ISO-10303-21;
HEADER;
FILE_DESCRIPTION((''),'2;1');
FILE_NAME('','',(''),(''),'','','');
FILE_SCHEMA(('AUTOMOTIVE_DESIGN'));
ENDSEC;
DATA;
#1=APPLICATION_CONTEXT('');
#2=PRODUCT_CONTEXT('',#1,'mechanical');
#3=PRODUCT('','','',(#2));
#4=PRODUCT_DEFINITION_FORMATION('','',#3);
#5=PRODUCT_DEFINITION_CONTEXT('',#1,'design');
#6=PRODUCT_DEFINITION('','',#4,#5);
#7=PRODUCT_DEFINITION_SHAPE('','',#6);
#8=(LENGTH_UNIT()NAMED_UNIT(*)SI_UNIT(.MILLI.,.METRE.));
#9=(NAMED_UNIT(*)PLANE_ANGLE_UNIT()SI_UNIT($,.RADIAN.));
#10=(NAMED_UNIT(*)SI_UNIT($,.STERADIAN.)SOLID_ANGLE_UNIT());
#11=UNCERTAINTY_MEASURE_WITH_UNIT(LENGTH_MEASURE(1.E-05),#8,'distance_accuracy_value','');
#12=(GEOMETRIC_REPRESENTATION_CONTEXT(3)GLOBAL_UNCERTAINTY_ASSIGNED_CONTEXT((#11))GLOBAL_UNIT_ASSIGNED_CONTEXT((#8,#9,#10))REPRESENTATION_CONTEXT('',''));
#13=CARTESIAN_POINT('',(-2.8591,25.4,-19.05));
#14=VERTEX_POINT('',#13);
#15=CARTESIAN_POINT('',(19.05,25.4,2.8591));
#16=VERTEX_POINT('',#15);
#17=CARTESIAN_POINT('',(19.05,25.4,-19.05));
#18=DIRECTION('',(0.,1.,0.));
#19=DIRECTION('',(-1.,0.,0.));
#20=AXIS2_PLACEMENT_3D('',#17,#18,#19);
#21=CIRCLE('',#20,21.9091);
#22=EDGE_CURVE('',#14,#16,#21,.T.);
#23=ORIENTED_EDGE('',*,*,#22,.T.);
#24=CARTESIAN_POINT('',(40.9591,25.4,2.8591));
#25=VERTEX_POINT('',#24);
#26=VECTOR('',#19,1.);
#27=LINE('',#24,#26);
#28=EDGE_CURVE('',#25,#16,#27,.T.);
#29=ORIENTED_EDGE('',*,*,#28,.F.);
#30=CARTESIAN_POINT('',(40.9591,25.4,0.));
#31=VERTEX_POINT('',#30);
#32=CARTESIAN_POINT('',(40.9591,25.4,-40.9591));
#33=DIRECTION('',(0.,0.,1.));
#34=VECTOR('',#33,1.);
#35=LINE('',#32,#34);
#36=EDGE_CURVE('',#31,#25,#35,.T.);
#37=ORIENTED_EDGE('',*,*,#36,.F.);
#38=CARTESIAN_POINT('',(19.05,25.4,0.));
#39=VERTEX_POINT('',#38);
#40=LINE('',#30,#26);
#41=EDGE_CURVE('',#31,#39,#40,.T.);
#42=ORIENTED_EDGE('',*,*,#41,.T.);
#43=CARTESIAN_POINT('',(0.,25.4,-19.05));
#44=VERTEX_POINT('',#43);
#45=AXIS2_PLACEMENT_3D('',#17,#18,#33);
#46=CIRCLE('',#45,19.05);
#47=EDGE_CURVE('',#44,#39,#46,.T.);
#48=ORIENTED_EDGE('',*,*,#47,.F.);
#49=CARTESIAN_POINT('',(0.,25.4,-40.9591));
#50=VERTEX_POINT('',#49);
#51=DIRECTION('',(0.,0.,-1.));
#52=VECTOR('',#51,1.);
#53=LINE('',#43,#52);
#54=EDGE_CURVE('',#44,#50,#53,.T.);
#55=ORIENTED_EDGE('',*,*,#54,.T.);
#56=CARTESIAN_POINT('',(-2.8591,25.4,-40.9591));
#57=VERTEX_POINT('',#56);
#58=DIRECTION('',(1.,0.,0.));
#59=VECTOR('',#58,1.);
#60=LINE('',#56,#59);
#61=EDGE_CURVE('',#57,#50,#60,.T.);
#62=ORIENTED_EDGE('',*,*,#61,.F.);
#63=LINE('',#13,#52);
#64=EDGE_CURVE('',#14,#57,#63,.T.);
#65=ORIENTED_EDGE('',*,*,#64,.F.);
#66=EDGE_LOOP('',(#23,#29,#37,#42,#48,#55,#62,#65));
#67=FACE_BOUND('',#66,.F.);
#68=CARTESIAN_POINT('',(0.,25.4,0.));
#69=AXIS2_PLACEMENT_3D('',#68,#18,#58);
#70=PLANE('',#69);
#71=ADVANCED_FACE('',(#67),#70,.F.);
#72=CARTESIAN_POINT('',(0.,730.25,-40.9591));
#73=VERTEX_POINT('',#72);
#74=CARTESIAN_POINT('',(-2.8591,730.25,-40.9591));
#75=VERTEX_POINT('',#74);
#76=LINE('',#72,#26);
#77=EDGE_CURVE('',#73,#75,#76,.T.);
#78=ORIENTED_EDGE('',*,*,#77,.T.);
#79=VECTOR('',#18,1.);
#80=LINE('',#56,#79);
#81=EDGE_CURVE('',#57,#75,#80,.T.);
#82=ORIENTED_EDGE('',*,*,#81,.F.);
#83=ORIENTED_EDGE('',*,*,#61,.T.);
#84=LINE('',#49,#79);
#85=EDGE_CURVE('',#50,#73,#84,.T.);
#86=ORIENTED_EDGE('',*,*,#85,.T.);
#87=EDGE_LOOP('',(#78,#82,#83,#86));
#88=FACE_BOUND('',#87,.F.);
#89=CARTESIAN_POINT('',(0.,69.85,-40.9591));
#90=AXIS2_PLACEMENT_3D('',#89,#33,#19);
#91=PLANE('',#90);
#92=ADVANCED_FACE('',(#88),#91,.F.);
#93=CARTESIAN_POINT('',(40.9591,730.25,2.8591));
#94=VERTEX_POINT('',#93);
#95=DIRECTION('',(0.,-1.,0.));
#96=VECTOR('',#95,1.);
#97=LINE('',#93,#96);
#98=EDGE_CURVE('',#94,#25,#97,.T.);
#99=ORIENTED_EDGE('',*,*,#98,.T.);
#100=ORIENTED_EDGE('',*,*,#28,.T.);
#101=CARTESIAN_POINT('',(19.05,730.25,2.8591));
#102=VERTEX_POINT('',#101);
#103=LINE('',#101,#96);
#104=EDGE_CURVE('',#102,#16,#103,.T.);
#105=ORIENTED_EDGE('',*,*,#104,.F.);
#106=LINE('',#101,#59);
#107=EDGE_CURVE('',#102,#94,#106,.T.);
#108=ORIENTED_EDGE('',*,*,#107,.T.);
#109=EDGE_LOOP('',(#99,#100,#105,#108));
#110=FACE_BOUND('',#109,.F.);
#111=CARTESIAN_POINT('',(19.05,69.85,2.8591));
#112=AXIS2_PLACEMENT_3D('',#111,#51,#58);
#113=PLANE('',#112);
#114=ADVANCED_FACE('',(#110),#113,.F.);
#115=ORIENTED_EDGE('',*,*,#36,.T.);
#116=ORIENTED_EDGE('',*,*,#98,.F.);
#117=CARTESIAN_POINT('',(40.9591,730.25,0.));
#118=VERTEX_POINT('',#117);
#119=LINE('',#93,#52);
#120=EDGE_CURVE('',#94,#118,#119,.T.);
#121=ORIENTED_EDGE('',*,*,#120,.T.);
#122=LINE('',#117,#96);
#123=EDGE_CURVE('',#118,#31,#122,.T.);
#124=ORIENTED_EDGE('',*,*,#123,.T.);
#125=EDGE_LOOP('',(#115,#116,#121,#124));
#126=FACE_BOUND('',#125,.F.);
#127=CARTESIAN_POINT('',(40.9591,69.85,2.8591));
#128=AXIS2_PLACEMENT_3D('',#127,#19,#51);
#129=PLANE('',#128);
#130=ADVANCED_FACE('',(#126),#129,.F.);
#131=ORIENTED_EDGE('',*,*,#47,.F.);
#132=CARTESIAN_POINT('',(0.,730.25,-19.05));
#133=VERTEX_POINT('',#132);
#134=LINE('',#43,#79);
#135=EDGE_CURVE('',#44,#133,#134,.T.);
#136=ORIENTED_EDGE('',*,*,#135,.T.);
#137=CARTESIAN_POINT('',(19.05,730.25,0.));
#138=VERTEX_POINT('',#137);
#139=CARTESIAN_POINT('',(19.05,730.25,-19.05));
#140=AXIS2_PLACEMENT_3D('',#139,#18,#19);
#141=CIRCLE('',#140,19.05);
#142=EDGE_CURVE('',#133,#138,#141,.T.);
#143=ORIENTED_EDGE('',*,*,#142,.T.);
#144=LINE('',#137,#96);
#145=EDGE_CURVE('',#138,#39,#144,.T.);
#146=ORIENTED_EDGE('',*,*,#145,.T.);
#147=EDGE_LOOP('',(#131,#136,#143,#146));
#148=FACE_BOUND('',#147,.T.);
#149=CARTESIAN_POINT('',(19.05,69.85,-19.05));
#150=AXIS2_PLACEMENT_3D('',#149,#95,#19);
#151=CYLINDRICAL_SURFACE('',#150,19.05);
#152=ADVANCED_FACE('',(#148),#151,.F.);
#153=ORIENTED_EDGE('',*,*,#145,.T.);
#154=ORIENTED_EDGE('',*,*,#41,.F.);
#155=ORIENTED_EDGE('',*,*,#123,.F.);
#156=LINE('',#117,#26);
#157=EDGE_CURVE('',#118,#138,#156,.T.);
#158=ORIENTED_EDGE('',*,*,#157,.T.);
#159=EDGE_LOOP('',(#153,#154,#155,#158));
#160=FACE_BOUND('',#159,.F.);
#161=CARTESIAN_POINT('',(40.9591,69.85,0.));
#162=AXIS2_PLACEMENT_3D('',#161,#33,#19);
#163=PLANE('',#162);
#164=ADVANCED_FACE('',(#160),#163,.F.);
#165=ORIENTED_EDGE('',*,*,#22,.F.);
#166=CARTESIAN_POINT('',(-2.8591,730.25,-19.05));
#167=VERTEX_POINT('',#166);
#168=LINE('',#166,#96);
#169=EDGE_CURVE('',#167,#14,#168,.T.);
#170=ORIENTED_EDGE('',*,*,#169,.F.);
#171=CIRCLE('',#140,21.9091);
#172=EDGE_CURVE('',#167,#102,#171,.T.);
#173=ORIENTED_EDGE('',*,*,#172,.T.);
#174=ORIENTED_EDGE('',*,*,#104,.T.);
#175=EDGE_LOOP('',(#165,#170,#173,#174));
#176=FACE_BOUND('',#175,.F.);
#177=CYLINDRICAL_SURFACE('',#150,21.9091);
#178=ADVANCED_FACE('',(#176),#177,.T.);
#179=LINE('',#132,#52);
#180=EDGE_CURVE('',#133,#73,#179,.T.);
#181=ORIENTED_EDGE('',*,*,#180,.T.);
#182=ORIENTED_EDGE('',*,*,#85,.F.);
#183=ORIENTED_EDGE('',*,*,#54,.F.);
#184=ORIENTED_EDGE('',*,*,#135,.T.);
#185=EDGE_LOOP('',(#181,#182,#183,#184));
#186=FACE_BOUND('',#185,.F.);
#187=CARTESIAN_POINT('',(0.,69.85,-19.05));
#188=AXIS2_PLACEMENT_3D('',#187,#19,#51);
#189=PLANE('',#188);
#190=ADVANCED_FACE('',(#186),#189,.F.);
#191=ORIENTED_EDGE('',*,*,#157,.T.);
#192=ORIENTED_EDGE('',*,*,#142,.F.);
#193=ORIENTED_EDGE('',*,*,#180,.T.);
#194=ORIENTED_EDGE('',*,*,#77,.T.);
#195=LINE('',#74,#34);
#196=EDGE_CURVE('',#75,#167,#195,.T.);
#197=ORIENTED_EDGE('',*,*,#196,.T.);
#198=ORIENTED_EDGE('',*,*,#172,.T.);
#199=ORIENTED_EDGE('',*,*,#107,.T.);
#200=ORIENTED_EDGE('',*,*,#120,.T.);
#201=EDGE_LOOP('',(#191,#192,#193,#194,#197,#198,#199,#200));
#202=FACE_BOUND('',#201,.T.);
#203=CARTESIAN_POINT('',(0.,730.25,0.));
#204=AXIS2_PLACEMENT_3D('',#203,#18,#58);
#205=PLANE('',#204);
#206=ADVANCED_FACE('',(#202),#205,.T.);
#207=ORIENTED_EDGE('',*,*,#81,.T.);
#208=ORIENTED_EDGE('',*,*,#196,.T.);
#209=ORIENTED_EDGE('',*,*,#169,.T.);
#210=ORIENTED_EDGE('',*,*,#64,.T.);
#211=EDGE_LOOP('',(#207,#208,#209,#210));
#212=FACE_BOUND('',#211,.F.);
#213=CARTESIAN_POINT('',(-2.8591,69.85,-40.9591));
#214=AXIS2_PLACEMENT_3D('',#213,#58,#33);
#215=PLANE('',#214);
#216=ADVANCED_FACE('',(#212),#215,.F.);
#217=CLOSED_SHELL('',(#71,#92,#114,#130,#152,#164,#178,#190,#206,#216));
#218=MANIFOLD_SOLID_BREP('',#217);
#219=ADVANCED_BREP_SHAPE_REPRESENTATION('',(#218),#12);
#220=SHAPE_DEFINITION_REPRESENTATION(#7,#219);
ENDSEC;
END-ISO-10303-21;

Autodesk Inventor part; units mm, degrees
ref_plane "YZ Plane" through (0, 0, 0) normal (1, 0, 0) x (0, 1, 0)
ref_plane "XZ Plane" through (0, 0, 0) normal (0, 1, 0) x (-1, 0, 0)
ref_plane "XY Plane" through (0, 0, 0) normal (0, 0, 1) x (1, 0, 0)
sketch "Sketch1" plane through (0, 0, 0) normal (0, 1, 0) x (-1, 0, 0)
  line L0 (0, 0) -> (-38.1, 0)
  line L1 (-38.1, 0) -> (-38.1, -38.1)
  line L2 (-38.1, -38.1) -> (0, -38.1)
  line L3 (0, -38.1) -> (0, 0)
  dimension "d0" = 38.1
  dimension "d1" = 38.1
extrude "Extrusion1" add sketch "Sketch1" along normal blind 25.4
fillet "Fillet1" radius 19.05 1 edges at (0, 12.7, 0)
sketch "Sketch2" plane through (0, 25.4, 0) normal (0, 1, 0) x (1, 0, 0)
  arc A0 (0, 19.05) -> (19.05, 0) centre (19.05, 19.05) ccw projected
  line L0 (0, 38.1) -> (0, 19.05) projected
  line L1 (38.1, 38.1) -> (0, 38.1) projected
  line L2 (38.1, 0) -> (38.1, 38.1) projected
  line L3 (19.05, 0) -> (38.1, 0) projected
  arc A1 (-2.8591, 19.05) -> (19.05, -2.8591) centre (19.05, 19.05) ccw
  line L4 (-2.8591, 19.05) -> (-2.8591, 40.9591)
  line L5 (-2.8591, 40.9591) -> (40.9591, 40.9591)
  line L6 (40.9591, 40.9591) -> (40.9591, -2.8591)
  line L7 (40.9591, -2.8591) -> (19.05, -2.8591)
  line L8 (0, 38.1) -> (0, 40.9591)
  line L9 (38.1, 0) -> (40.9591, 0)
  point P0 (0, 0)
extrude "Extrusion2" add sketch "Sketch2" along normal blind 44.45 contours A0 L3 L9 L6 L7 A1 L4 L5 L8 L0
sketch "Sketch3" plane through (0, 25.4, 0) normal (0, 1, 0) x (1, 0, 0)
  arc A0 (0, 19.05) -> (19.05, 0) centre (19.05, 19.05) ccw projected
  line L0 (19.05, 0) -> (38.1, 0) projected
  line L1 (38.1, 0) -> (38.1, 38.1) projected
  line L2 (38.1, 38.1) -> (0, 38.1) projected
  line L3 (0, 38.1) -> (0, 19.05) projected
  point P0 (0, 0)
extrude "Extrusion3" cut sketch "Sketch3" against normal blind 44.45
sketch "Sketch4" plane through (0, 69.85, 0) normal (0, 1, 0) x (1, 0, 0)
  arc A0 (0, 19.05) -> (19.05, 0) centre (19.05, 19.05) ccw projected
  line L0 (0, 19.05) -> (0, 40.9591) projected
  line L1 (0, 40.9591) -> (-2.8591, 40.9591) projected
  line L2 (-2.8591, 40.9591) -> (-2.8591, 19.05) projected
  arc A1 (-2.8591, 19.05) -> (19.05, -2.8591) centre (19.05, 19.05) ccw projected
  line L3 (19.05, -2.8591) -> (40.9591, -2.8591) projected
  line L4 (40.9591, -2.8591) -> (40.9591, 0) projected
  line L5 (40.9591, 0) -> (19.05, 0) projected
  point P0 (0, 0)
extrude "Extrusion4" add sketch "Sketch4" along normal blind 660.4
properties part number "Cart_Side_Beam"
